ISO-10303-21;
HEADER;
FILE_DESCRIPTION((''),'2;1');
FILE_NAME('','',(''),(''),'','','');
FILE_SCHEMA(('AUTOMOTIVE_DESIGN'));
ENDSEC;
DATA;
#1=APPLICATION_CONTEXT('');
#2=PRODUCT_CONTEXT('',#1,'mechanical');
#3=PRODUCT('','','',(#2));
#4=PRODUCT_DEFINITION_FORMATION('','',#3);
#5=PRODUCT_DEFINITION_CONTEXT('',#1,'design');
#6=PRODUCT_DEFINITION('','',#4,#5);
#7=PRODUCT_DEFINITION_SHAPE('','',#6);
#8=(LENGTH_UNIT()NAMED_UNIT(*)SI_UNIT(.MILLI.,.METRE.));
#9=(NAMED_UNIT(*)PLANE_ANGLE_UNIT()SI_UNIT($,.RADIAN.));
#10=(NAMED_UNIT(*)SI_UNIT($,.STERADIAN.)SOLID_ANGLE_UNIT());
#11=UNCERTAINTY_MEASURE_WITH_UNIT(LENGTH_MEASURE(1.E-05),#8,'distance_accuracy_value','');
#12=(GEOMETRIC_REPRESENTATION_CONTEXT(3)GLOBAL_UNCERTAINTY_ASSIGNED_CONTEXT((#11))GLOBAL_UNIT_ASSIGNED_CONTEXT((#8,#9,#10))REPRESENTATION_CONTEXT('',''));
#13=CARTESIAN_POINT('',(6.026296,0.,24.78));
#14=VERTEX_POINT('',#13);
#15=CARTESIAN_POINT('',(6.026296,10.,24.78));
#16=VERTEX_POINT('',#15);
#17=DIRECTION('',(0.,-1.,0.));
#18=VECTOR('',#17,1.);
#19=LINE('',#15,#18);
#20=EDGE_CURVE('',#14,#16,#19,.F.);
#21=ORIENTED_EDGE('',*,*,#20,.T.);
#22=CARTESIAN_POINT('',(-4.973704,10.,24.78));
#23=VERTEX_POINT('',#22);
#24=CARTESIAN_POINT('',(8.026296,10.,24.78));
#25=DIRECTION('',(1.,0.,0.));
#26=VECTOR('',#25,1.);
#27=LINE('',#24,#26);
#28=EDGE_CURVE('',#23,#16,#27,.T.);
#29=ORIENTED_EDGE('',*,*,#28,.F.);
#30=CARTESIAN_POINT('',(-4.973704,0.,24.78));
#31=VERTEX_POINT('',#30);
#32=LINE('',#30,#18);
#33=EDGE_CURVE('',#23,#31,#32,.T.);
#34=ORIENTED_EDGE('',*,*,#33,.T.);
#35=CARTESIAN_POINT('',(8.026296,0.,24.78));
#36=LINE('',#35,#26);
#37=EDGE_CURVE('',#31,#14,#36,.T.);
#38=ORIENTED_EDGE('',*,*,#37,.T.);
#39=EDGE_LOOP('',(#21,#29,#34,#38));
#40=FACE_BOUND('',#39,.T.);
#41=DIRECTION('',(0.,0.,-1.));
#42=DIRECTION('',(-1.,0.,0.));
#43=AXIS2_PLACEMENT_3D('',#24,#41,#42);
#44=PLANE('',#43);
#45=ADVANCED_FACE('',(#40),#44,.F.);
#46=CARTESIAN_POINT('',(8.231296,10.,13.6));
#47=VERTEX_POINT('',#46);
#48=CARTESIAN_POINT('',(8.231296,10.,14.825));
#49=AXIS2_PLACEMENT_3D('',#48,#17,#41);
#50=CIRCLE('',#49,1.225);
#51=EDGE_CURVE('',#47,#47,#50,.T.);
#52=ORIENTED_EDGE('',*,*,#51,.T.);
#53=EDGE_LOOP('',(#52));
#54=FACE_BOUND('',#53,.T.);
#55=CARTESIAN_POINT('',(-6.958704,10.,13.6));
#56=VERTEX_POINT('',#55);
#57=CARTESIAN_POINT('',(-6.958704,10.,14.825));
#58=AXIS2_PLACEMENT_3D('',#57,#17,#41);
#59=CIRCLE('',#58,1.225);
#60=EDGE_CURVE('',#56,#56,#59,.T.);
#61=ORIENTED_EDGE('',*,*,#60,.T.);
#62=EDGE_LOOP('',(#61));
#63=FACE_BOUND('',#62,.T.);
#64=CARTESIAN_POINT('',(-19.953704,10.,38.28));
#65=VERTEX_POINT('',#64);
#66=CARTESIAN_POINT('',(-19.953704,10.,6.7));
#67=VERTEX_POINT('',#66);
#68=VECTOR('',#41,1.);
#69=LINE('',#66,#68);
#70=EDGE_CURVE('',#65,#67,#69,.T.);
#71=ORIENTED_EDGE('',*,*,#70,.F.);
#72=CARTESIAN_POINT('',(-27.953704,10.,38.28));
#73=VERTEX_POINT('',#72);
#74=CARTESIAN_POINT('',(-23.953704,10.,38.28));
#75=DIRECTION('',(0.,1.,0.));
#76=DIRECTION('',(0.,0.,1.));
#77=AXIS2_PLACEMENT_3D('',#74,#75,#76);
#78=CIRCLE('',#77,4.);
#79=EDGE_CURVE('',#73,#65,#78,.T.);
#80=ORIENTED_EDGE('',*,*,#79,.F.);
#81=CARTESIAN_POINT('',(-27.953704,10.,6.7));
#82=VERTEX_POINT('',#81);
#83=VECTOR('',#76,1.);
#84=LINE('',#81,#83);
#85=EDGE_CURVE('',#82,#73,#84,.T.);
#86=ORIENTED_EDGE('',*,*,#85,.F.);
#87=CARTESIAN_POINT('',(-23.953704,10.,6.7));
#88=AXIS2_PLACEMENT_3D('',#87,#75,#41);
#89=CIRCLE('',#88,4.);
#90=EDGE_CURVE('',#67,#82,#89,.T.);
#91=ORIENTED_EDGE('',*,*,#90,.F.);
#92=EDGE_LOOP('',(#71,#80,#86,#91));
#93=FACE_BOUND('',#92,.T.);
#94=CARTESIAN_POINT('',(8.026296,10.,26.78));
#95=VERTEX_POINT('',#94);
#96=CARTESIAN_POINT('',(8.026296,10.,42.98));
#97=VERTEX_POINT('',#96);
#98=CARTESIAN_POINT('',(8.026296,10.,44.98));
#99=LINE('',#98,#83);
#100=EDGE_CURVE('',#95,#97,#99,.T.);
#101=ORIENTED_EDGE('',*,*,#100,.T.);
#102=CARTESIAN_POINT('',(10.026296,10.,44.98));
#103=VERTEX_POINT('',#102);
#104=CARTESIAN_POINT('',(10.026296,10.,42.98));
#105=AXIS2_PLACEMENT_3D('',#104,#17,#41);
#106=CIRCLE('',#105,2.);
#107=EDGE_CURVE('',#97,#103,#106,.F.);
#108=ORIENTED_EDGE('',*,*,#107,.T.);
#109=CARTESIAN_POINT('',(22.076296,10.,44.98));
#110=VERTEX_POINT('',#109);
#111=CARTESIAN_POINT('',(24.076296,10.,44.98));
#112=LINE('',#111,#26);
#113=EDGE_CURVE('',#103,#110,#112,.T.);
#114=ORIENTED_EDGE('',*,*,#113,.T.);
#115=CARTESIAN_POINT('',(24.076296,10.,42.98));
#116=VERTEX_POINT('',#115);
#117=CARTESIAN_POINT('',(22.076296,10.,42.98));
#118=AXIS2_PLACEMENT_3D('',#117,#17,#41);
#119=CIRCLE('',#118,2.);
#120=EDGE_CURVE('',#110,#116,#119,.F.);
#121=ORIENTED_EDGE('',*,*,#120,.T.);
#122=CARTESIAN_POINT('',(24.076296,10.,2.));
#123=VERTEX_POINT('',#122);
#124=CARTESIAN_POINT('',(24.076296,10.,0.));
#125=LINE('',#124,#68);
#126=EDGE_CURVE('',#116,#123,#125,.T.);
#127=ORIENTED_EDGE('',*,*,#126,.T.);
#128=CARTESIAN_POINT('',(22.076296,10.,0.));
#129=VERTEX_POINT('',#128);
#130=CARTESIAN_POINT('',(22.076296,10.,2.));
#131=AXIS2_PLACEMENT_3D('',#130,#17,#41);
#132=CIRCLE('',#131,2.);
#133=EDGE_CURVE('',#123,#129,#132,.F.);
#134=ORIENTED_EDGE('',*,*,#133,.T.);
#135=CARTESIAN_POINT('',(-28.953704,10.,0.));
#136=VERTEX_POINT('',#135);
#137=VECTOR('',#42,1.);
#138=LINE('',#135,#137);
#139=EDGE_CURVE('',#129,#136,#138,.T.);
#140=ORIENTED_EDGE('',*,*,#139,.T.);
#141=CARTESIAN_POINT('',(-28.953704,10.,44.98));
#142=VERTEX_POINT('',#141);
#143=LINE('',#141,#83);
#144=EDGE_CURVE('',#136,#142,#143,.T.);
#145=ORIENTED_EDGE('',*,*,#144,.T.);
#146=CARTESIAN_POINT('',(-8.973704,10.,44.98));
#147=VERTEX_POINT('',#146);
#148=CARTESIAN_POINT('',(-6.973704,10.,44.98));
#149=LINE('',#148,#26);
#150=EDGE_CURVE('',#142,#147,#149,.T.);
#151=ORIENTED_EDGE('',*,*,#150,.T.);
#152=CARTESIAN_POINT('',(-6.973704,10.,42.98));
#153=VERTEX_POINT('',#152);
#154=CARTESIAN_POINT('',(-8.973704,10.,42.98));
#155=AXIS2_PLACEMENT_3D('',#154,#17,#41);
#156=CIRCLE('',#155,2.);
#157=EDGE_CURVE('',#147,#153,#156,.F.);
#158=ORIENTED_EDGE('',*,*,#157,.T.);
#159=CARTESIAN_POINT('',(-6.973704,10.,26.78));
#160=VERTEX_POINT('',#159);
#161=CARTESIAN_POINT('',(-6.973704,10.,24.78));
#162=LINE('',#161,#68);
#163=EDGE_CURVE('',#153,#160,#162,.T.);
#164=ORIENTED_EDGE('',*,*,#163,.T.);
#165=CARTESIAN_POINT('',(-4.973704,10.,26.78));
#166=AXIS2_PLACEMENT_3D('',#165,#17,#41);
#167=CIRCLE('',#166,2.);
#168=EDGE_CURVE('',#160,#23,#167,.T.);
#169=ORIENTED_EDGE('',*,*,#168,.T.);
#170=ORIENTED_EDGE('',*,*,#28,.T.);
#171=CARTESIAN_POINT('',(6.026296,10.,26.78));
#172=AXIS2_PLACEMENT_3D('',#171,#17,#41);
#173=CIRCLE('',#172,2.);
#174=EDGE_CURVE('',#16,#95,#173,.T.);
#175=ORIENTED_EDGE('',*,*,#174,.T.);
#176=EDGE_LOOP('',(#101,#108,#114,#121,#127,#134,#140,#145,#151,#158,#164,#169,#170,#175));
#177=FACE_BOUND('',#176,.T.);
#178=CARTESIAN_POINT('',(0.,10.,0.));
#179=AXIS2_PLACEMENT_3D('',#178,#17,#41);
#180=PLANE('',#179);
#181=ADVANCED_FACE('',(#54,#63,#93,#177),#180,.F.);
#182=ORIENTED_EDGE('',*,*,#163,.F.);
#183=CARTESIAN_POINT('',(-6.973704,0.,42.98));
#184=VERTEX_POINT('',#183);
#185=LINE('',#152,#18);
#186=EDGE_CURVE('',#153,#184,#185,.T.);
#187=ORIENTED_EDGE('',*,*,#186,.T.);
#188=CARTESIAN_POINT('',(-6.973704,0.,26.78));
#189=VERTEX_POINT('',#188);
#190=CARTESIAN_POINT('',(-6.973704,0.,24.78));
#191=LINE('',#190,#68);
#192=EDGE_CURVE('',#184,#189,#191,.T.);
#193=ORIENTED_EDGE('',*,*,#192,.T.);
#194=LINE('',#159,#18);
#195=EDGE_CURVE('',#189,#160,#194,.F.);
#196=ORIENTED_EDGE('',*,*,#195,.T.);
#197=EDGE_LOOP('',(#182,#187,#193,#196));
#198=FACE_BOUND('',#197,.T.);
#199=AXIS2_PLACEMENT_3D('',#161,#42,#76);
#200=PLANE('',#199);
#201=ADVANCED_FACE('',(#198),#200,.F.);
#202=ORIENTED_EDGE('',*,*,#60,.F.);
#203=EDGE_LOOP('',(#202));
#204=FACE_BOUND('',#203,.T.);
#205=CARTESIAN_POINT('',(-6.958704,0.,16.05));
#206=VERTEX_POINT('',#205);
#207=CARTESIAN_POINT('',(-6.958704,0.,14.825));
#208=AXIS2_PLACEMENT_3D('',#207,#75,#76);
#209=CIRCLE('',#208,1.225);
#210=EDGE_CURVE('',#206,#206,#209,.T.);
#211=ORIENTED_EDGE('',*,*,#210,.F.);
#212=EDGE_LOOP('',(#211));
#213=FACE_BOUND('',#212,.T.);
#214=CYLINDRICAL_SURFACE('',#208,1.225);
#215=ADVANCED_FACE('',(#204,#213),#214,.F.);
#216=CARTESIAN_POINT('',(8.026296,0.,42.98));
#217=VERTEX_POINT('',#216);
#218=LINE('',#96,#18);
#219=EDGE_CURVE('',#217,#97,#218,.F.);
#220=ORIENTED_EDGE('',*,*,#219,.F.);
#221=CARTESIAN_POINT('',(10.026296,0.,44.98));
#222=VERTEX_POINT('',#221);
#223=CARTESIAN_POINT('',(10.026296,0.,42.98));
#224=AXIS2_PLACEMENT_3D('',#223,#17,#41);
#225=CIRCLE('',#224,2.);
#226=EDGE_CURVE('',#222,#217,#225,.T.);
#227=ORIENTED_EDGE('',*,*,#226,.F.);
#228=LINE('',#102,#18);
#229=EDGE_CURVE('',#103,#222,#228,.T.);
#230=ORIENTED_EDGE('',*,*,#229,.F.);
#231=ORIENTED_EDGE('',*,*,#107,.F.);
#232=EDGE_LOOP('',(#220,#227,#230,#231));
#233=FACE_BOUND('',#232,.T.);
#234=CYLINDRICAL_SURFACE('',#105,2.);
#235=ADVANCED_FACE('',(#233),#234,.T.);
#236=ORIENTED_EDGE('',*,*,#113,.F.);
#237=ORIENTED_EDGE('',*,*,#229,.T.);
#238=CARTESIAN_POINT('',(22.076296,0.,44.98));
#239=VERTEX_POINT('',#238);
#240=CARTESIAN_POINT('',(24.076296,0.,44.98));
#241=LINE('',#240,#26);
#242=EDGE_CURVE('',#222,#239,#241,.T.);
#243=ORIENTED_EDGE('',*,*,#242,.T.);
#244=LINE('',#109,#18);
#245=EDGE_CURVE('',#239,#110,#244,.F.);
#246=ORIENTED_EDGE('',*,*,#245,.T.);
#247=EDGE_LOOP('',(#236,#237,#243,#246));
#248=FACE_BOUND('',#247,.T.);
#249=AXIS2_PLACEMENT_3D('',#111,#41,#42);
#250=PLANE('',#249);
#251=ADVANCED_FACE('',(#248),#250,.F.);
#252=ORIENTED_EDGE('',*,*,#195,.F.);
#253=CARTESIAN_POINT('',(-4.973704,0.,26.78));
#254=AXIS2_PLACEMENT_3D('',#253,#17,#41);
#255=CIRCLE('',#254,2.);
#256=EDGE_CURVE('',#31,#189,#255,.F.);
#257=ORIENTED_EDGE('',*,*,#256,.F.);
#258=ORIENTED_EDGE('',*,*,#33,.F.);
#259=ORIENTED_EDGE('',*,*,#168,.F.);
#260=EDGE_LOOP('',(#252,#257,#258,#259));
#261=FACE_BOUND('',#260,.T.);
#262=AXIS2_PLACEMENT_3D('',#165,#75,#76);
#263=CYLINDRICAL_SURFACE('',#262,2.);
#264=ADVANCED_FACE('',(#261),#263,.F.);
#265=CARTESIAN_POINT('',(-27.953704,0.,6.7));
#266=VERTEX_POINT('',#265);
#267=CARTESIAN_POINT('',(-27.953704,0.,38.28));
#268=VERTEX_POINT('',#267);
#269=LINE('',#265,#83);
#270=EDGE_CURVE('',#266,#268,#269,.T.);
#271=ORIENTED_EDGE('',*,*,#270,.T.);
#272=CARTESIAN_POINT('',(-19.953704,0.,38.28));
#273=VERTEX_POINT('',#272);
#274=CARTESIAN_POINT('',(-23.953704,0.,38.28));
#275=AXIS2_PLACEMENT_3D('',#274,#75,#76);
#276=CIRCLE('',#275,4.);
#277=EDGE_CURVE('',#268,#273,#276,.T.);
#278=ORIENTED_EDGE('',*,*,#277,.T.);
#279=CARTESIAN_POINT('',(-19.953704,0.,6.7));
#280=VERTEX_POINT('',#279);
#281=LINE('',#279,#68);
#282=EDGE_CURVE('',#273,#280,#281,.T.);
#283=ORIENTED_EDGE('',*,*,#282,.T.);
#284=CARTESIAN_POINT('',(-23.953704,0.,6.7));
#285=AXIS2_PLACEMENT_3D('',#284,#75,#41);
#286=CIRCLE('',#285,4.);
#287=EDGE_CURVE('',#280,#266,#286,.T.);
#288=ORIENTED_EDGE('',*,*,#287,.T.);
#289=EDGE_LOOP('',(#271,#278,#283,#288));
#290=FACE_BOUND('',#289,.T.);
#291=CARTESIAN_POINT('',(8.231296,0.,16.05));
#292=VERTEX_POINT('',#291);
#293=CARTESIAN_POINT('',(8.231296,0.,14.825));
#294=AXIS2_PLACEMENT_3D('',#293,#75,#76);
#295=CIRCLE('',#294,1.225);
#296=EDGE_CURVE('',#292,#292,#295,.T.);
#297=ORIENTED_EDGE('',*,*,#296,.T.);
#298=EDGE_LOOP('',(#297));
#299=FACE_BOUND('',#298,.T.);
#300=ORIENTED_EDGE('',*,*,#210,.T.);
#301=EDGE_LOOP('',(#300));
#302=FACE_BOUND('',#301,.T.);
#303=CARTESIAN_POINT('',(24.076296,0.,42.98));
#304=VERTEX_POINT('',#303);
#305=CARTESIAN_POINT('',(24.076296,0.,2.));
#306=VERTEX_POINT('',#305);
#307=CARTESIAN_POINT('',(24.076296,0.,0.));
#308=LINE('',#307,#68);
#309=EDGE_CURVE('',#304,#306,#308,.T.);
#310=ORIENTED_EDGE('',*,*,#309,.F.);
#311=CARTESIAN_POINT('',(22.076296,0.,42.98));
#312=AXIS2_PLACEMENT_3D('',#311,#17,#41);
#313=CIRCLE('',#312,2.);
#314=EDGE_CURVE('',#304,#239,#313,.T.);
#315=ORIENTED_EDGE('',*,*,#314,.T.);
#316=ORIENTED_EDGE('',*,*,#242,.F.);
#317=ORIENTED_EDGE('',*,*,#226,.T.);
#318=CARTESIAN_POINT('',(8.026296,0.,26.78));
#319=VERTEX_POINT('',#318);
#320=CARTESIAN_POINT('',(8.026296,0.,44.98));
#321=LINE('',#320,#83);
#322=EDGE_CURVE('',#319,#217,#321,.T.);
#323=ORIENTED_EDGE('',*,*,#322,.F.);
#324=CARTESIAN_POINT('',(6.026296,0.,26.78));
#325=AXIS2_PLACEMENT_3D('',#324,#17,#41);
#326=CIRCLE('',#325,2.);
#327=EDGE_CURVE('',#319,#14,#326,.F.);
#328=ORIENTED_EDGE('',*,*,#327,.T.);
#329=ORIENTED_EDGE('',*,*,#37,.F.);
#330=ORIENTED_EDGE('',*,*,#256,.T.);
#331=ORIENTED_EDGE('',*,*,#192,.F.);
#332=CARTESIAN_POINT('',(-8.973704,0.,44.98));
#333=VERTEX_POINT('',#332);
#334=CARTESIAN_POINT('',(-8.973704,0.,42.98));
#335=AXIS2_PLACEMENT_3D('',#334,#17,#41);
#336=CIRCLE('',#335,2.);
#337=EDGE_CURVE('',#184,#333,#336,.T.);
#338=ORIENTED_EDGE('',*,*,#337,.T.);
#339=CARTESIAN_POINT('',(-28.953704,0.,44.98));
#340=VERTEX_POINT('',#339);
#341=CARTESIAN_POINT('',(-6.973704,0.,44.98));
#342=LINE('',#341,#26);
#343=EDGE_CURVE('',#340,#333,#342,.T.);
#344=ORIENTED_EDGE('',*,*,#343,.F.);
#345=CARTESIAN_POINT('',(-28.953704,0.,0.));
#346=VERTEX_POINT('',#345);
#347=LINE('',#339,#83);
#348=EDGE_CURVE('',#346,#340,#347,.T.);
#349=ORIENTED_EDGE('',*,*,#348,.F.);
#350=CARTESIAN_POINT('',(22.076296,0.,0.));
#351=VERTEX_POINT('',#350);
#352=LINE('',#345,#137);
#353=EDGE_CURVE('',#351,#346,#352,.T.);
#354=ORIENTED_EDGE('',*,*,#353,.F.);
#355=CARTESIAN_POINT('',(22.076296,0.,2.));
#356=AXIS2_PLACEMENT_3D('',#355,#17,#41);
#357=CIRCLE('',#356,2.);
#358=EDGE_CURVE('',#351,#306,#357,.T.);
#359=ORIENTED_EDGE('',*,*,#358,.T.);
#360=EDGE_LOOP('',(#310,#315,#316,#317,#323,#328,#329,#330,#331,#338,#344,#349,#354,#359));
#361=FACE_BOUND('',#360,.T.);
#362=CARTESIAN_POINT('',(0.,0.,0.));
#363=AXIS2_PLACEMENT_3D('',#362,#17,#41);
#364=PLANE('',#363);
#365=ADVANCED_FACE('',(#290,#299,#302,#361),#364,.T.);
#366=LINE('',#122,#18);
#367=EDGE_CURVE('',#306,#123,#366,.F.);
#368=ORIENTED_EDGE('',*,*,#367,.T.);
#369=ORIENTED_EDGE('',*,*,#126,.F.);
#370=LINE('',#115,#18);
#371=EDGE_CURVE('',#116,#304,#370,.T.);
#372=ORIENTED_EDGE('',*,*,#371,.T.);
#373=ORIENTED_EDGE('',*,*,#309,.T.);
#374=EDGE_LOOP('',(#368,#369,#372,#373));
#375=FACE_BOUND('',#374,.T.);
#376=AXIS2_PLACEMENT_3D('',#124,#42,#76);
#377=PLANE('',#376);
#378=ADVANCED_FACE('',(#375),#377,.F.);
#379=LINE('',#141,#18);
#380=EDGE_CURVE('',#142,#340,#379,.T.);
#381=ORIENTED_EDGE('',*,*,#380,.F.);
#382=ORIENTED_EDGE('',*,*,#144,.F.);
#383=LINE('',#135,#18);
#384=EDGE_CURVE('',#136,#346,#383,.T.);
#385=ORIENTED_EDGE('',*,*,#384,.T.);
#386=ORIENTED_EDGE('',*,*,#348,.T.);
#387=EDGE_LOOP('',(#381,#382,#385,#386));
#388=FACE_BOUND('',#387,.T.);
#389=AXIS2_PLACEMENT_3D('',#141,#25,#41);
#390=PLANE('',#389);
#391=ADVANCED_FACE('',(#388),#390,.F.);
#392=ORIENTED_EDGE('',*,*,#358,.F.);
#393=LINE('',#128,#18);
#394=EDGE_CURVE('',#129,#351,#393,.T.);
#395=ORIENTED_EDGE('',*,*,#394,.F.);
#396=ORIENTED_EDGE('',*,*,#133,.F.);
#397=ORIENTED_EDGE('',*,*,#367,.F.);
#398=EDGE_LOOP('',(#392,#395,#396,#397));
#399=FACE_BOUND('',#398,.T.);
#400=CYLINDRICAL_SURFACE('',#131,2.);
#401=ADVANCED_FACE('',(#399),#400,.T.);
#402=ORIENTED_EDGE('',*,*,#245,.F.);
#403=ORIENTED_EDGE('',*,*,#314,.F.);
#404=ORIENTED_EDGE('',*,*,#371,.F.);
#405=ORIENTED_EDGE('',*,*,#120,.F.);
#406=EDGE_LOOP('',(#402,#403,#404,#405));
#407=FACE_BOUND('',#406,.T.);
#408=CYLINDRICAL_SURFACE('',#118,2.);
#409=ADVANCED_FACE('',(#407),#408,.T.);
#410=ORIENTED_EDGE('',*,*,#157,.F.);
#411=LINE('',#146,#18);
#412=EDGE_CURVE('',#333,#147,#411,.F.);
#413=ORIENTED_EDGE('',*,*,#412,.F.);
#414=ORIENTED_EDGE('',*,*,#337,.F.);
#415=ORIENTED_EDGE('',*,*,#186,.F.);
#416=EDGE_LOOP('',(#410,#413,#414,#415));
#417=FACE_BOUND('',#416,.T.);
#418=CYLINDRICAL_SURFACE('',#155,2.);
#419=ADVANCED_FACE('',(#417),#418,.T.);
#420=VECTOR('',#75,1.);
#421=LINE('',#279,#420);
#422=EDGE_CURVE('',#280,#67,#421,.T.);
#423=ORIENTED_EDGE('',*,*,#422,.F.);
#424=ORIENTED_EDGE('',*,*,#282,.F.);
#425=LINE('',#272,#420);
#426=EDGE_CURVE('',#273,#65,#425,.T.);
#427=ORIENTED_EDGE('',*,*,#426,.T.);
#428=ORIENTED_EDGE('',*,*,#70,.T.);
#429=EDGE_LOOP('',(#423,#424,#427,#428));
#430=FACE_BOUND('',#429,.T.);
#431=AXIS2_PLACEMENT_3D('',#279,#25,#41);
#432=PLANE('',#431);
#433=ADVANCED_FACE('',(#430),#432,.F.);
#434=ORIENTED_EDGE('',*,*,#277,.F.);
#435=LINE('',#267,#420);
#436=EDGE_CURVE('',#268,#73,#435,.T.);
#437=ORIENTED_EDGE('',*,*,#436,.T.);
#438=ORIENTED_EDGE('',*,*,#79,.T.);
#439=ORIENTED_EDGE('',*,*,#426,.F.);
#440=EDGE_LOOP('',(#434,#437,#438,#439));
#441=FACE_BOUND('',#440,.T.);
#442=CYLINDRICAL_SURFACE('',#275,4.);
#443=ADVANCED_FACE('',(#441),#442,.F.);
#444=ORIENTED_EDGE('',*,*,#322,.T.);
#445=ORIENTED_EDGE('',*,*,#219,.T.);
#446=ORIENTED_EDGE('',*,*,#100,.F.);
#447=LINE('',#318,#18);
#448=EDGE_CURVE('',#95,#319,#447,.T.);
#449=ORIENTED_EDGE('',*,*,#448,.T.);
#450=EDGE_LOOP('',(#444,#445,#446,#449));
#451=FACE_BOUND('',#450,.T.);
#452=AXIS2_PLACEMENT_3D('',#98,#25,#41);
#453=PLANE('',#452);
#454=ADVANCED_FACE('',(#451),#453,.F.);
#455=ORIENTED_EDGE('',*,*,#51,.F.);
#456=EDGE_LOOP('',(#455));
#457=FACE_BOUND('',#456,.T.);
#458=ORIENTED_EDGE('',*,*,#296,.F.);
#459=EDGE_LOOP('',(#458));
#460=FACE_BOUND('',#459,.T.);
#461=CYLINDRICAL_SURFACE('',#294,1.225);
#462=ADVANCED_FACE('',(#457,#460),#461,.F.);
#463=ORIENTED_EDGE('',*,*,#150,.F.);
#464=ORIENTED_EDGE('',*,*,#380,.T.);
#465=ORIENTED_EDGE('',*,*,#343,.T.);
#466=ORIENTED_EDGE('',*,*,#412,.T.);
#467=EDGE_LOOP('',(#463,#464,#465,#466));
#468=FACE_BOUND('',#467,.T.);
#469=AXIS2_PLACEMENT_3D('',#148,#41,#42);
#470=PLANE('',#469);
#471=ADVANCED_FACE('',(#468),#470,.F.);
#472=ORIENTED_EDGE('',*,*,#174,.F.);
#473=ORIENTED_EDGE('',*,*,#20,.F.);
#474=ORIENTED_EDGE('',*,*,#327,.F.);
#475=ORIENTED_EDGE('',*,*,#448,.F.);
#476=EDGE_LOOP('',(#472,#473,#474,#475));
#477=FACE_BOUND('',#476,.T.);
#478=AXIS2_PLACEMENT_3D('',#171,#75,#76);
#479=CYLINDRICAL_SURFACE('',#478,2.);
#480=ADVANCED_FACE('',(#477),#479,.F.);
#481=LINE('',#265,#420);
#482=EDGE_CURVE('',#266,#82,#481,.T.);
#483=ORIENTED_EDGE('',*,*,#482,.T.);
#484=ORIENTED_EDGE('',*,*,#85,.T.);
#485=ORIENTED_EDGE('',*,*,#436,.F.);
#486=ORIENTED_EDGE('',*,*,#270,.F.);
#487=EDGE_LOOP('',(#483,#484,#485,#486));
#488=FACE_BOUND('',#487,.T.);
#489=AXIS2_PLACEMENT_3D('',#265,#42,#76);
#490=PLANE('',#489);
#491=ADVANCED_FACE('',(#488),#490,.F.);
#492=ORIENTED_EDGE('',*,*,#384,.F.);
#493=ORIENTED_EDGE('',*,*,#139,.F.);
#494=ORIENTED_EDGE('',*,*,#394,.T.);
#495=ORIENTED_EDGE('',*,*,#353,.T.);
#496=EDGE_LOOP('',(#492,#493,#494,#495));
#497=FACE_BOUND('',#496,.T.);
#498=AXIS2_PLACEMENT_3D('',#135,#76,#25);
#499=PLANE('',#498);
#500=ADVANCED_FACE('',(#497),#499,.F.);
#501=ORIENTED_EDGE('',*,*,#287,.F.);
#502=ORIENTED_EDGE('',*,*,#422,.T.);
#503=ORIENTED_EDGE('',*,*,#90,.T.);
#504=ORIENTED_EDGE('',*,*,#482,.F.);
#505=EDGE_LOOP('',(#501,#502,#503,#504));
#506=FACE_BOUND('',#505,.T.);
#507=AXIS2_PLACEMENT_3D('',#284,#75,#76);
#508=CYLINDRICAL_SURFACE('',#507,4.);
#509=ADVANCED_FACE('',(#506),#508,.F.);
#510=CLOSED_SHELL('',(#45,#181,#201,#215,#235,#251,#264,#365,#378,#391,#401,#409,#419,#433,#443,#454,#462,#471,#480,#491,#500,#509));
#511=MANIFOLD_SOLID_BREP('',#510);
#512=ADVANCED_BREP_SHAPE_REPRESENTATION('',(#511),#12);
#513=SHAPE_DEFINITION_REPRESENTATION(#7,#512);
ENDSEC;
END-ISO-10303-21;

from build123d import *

# Parameters (mm, degrees)
BOSS_EXTRUDE1_DEPTH     = 10
FILLET1_R               = 2
FILLET2_R               = 2
FILLET3_R               = 2
FILLET4_R               = 2
FILLET5_R               = 2
FILLET6_R               = 2
CUT_EXTRUDE3_DEPTH      = 55.419825047
CUT_EXTRUDE3_DEPTH_BACK = 55.419825047
SKETCH4_R               = 1.225
CUT_EXTRUDE4_DEPTH      = 10


with BuildPart() as part:
    # Sketch1 → Boss-Extrude1 (new body)
    with BuildSketch(Plane(origin=(0, 0, 0), x_dir=(1, 0, 0), z_dir=(0, 1, 0))):
        Polygon((-28.953703704, 0), (24.076296296, 0), (24.076296296, -44.98), (8.026296296, -44.98), (8.026296296, -24.78), (-6.973703704, -24.78), (-6.973703704, -44.98), (-28.953703704, -44.98), align=None)
    extrude(amount=BOSS_EXTRUDE1_DEPTH)

    # Fillet1
    fillet1_edges = [part.edges().sort_by_distance(p)[0] for p in [
        (-6.973703704, 5, 24.78),
    ]]
    fillet(fillet1_edges, radius=FILLET1_R)

    # Fillet2
    fillet2_edges = [part.edges().sort_by_distance(p)[0] for p in [
        (8.026296296, 5, 24.78),
    ]]
    fillet(fillet2_edges, radius=FILLET2_R)

    # Fillet3
    fillet3_edges = [part.edges().sort_by_distance(p)[0] for p in [
        (-6.973703704, 5, 44.98),
    ]]
    fillet(fillet3_edges, radius=FILLET3_R)

    # Fillet4
    fillet4_edges = [part.edges().sort_by_distance(p)[0] for p in [
        (8.026296296, 5, 44.98),
    ]]
    fillet(fillet4_edges, radius=FILLET4_R)

    # Fillet5
    fillet5_edges = [part.edges().sort_by_distance(p)[0] for p in [
        (24.076296296, 5, 0),
    ]]
    fillet(fillet5_edges, radius=FILLET5_R)

    # Fillet6
    fillet6_edges = [part.edges().sort_by_distance(p)[0] for p in [
        (24.076296296, 5, 44.98),
    ]]
    fillet(fillet6_edges, radius=FILLET6_R)

    # Sketch4 → Cut-Extrude3 (cut, two sides: drawn at the far end of the back side and taken through both)
    with BuildSketch(Plane(origin=(0, 10, 0), x_dir=(1, 0, 0), z_dir=(0, 1, 0)).offset(-CUT_EXTRUDE3_DEPTH_BACK)):
        with Locations(Location((-6.958703704, -14.825, 0), (0, 0, 270))):
            Circle(SKETCH4_R)
        with Locations(Location((8.231296296, -14.825, 0), (0, 0, 270))):
            Circle(SKETCH4_R)
    extrude(amount=CUT_EXTRUDE3_DEPTH + CUT_EXTRUDE3_DEPTH_BACK, mode=Mode.SUBTRACT)

    # Sketch2 → Cut-Extrude4 (cut)
    with BuildSketch(Plane(origin=(0, 10, 0), x_dir=(1, 0, 0), z_dir=(0, 1, 0))):
        with BuildLine():
            Line((-27.953703704, -6.7), (-27.953703704, -38.28))
            ThreePointArc((-27.953703704, -38.28), (-23.953703704, -42.28), (-19.953703704, -38.28))
            Line((-19.953703704, -38.28), (-19.953703704, -6.7))
            ThreePointArc((-19.953703704, -6.7), (-23.953703704, -2.7), (-27.953703704, -6.7))
        make_face()
    extrude(amount=-CUT_EXTRUDE4_DEPTH, mode=Mode.SUBTRACT)


solid = part.part
